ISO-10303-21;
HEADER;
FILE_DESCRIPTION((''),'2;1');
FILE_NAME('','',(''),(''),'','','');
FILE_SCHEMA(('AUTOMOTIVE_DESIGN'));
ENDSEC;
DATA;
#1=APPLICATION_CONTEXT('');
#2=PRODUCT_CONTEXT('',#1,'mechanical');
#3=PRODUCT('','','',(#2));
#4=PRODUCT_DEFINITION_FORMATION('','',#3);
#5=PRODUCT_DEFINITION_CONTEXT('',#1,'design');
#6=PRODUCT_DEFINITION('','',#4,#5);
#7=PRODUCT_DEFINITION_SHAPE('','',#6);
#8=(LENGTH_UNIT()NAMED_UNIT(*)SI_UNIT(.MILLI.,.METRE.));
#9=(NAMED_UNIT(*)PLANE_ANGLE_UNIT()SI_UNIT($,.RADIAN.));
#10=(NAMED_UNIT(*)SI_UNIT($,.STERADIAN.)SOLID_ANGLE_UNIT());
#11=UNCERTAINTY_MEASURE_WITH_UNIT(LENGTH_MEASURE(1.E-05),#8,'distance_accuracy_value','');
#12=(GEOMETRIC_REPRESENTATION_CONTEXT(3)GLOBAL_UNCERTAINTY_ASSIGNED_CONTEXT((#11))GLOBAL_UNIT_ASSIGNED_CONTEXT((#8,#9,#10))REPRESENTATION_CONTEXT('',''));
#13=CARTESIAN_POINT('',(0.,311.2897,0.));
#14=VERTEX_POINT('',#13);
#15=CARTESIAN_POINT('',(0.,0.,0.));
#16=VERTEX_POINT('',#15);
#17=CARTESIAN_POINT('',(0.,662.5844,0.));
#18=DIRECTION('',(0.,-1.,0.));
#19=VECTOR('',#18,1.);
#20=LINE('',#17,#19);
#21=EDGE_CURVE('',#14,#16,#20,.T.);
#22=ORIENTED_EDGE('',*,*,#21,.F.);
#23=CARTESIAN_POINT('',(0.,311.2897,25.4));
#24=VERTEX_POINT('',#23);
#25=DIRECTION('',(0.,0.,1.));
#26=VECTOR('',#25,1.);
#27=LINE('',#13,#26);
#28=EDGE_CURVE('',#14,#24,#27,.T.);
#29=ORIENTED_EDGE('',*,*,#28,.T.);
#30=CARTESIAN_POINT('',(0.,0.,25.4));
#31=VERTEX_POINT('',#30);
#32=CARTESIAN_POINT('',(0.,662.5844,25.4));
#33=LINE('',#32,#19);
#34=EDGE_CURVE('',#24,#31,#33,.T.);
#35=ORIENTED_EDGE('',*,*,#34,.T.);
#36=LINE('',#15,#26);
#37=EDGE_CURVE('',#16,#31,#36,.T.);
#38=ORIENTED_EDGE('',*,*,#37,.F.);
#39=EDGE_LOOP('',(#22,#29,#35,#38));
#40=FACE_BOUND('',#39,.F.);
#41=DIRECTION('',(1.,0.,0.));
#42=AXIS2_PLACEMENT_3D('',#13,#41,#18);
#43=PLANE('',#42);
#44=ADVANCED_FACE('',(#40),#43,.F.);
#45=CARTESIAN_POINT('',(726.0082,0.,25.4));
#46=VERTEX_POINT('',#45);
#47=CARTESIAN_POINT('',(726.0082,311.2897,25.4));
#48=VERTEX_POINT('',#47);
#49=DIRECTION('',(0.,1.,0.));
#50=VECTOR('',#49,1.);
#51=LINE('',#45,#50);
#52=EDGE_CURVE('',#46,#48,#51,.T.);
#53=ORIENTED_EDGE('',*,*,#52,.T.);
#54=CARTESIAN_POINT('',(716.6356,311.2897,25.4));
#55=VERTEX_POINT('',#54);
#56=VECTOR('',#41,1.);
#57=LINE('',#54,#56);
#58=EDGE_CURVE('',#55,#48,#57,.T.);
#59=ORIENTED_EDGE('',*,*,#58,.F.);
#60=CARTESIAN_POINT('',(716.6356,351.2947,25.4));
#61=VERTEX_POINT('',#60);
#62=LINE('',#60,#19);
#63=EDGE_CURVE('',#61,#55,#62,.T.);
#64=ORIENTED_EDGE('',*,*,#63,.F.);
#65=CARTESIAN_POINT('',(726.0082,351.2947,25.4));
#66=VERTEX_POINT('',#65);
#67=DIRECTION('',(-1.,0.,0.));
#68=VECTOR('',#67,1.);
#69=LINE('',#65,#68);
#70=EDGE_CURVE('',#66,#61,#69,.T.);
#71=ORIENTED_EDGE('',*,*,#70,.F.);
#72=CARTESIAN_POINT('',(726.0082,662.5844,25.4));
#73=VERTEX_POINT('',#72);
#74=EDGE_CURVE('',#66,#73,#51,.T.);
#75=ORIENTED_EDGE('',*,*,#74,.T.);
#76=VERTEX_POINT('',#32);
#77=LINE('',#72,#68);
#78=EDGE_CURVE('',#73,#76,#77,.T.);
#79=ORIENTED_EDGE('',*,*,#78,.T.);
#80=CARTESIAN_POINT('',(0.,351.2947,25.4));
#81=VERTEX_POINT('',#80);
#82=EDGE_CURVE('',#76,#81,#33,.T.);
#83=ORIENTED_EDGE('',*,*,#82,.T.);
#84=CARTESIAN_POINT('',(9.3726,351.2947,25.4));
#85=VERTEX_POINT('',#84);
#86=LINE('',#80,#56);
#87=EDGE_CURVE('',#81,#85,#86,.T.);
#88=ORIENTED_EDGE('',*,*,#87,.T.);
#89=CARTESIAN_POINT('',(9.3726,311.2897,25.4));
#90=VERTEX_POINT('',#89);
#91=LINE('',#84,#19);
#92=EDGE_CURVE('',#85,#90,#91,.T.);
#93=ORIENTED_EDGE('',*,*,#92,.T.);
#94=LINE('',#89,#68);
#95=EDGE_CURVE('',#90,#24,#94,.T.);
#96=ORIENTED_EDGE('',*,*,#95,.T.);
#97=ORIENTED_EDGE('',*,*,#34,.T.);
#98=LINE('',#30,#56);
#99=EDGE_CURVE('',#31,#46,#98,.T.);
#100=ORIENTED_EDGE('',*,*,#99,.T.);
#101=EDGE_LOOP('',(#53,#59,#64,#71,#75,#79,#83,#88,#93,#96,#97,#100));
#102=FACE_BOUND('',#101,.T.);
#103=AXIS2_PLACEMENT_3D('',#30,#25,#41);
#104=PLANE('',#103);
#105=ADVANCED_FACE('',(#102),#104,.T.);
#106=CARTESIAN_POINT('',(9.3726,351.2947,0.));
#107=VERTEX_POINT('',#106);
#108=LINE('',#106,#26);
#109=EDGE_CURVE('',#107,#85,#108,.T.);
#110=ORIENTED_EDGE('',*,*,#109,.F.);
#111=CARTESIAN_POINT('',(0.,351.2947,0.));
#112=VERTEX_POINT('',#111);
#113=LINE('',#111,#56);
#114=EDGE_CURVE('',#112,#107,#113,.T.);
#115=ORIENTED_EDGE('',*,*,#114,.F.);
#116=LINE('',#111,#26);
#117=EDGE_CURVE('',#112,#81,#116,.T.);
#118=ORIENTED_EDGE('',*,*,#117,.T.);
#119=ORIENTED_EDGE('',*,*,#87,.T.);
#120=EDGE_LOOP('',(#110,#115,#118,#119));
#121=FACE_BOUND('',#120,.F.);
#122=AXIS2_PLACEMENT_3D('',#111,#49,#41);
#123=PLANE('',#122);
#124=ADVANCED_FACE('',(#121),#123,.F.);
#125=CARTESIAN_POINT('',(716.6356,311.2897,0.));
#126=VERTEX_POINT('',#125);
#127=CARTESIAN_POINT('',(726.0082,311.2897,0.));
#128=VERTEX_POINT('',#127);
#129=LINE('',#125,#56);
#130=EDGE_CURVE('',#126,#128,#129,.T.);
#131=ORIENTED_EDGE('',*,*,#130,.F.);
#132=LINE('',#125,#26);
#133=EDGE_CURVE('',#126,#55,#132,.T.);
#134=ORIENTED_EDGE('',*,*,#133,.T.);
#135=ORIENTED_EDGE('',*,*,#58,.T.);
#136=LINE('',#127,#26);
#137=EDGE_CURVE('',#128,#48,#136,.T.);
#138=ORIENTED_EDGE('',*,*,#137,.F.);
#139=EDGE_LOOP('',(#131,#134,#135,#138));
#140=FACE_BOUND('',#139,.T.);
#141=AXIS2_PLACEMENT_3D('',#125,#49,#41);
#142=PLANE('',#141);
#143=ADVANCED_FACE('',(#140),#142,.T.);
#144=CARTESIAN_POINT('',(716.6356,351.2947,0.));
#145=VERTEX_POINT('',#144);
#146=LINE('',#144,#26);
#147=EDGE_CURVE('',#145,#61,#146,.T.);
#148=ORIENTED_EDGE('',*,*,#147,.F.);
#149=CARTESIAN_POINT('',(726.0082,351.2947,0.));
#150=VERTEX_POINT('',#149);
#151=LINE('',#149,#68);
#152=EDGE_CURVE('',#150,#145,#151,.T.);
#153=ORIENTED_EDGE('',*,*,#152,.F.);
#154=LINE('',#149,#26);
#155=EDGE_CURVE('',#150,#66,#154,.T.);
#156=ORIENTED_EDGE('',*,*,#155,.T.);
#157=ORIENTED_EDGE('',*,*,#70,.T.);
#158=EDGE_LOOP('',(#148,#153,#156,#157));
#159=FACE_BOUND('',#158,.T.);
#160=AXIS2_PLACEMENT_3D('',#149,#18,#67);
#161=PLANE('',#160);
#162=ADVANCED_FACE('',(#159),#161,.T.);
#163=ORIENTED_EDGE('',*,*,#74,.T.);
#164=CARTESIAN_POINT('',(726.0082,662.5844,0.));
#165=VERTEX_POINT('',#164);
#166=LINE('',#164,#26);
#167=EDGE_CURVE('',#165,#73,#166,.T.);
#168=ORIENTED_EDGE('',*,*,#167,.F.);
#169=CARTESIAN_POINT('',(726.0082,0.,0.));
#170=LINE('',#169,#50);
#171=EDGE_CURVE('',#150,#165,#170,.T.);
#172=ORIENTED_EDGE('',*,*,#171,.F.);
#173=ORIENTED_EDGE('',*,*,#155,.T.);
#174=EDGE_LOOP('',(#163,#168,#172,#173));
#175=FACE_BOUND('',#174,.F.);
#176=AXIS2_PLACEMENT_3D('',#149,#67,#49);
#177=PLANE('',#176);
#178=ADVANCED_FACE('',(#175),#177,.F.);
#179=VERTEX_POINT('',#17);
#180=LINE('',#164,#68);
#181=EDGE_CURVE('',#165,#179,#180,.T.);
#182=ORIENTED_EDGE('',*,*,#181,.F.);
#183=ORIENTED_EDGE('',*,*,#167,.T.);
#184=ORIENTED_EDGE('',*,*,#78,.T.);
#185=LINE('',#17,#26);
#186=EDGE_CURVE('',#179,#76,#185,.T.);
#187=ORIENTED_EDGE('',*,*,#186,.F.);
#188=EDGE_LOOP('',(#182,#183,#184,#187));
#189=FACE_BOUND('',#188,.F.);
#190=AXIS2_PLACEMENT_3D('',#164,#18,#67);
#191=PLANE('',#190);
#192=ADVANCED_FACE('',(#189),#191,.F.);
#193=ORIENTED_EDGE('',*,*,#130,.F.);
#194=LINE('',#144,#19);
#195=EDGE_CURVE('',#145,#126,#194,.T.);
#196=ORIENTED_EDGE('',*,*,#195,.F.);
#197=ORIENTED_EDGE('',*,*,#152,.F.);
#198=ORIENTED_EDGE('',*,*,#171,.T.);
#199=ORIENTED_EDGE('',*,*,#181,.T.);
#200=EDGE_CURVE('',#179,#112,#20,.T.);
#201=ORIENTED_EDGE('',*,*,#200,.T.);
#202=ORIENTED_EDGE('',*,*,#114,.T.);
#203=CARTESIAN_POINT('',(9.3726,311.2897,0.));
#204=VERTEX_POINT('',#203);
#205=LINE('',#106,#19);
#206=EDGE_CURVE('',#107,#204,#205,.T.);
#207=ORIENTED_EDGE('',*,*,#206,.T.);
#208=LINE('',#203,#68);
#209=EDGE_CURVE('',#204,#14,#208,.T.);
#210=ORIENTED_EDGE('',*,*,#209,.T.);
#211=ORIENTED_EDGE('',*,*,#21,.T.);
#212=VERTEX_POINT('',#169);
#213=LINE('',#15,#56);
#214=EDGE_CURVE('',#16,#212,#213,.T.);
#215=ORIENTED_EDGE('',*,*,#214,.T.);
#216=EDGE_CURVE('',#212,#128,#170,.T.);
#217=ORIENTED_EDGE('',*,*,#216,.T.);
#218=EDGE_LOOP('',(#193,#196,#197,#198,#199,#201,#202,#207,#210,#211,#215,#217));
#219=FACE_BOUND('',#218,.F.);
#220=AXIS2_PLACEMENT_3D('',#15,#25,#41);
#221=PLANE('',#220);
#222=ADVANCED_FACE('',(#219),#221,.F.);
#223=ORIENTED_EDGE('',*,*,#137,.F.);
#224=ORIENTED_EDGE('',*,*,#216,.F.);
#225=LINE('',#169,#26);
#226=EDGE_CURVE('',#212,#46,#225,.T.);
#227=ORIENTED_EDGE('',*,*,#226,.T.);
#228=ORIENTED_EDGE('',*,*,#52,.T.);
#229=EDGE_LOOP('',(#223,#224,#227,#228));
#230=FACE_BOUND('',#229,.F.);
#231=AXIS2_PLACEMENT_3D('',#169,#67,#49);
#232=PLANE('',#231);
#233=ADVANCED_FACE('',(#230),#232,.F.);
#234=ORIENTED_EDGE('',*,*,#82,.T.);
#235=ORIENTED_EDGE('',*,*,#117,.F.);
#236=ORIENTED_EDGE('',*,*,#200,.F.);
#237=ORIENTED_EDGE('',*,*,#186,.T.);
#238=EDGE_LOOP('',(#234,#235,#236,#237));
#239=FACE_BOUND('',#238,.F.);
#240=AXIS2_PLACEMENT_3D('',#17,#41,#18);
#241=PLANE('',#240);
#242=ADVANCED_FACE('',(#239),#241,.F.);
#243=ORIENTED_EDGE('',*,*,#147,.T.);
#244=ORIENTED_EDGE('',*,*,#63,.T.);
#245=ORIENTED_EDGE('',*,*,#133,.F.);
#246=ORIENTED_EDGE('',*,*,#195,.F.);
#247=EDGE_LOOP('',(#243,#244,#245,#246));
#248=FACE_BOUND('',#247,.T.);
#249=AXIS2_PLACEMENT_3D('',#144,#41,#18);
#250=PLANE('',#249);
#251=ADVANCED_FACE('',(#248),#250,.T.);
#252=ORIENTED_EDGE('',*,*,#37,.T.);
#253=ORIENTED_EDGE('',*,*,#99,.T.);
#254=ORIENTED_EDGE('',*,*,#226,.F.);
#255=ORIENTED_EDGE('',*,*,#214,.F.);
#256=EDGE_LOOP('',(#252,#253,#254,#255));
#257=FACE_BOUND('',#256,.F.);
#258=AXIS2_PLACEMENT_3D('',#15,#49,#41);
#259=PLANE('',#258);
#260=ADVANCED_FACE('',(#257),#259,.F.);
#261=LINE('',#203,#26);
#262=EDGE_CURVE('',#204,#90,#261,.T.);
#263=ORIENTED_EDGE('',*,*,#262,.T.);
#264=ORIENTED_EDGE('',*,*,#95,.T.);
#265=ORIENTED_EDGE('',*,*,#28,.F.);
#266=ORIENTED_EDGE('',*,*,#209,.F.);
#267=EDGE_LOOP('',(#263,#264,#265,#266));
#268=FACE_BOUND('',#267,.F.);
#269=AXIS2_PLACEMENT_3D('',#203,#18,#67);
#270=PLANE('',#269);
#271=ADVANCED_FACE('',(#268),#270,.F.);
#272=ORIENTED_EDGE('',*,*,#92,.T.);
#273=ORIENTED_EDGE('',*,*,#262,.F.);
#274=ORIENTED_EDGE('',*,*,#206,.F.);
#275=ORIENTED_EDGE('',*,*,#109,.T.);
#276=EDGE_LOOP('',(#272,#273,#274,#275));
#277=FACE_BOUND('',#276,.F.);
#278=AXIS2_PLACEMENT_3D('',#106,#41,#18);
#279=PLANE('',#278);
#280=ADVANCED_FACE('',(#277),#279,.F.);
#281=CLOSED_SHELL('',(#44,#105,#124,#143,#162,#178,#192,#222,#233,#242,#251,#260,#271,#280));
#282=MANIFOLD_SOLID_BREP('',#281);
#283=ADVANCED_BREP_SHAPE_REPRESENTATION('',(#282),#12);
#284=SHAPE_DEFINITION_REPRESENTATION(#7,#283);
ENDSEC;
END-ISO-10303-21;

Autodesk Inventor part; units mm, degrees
ref_plane "YZ Plane" through (0, 0, 0) normal (1, 0, 0) x (0, 1, 0)
ref_plane "XZ Plane" through (0, 0, 0) normal (0, 1, 0) x (-1, 0, 0)
ref_plane "XY Plane" through (0, 0, 0) normal (0, 0, 1) x (1, 0, 0)
sketch "Sketch1" plane through (0, 0, 0) normal (0, 0, 1) x (1, 0, 0)
  line L0 (0, 0) -> (726.0082, 0)
  line L1 (726.0082, 0) -> (726.0082, 662.5844)
  line L2 (726.0082, 662.5844) -> (0, 662.5844)
  line L3 (0, 662.5844) -> (0, 0)
  line L4 (726.0082, 331.2922) -> (726.0082, 351.2947)
  line L5 (726.0082, 351.2947) -> (726.0082, 311.2897)
  line L6 (726.0082, 351.2947) -> (716.6356, 351.2947)
  line L7 (716.6356, 351.2947) -> (716.6356, 311.2897)
  line L8 (716.6356, 311.2897) -> (726.0082, 311.2897)
  line L9 (726.0082, 311.2897) -> (726.0082, 351.2947)
  line L10 (0, 351.2947) -> (9.3726, 351.2947)
  line L11 (9.3726, 351.2947) -> (9.3726, 311.2897)
  line L12 (9.3726, 311.2897) -> (0, 311.2897)
  line L13 (0, 311.2897) -> (9.3726, 311.2897)
  line L14 (9.3726, 311.2897) -> (9.3726, 351.2947)
  line L15 (9.3726, 351.2947) -> (0, 351.2947)
  line L16 (0, 351.2947) -> (0, 311.2897)
  dimension "d0" = 726.0082
  dimension "d1" = 662.5844
  dimension "d2" = 20.0025
  dimension "d3" = 40.005
  dimension "d4" = 9.3726
extrude "Extrusion1" add sketch "Sketch1" along normal blind 25.4 contours L3 L12 L11 L10 L2 L1 L6 L7 L8 L0
properties part number "Middle Platform"
